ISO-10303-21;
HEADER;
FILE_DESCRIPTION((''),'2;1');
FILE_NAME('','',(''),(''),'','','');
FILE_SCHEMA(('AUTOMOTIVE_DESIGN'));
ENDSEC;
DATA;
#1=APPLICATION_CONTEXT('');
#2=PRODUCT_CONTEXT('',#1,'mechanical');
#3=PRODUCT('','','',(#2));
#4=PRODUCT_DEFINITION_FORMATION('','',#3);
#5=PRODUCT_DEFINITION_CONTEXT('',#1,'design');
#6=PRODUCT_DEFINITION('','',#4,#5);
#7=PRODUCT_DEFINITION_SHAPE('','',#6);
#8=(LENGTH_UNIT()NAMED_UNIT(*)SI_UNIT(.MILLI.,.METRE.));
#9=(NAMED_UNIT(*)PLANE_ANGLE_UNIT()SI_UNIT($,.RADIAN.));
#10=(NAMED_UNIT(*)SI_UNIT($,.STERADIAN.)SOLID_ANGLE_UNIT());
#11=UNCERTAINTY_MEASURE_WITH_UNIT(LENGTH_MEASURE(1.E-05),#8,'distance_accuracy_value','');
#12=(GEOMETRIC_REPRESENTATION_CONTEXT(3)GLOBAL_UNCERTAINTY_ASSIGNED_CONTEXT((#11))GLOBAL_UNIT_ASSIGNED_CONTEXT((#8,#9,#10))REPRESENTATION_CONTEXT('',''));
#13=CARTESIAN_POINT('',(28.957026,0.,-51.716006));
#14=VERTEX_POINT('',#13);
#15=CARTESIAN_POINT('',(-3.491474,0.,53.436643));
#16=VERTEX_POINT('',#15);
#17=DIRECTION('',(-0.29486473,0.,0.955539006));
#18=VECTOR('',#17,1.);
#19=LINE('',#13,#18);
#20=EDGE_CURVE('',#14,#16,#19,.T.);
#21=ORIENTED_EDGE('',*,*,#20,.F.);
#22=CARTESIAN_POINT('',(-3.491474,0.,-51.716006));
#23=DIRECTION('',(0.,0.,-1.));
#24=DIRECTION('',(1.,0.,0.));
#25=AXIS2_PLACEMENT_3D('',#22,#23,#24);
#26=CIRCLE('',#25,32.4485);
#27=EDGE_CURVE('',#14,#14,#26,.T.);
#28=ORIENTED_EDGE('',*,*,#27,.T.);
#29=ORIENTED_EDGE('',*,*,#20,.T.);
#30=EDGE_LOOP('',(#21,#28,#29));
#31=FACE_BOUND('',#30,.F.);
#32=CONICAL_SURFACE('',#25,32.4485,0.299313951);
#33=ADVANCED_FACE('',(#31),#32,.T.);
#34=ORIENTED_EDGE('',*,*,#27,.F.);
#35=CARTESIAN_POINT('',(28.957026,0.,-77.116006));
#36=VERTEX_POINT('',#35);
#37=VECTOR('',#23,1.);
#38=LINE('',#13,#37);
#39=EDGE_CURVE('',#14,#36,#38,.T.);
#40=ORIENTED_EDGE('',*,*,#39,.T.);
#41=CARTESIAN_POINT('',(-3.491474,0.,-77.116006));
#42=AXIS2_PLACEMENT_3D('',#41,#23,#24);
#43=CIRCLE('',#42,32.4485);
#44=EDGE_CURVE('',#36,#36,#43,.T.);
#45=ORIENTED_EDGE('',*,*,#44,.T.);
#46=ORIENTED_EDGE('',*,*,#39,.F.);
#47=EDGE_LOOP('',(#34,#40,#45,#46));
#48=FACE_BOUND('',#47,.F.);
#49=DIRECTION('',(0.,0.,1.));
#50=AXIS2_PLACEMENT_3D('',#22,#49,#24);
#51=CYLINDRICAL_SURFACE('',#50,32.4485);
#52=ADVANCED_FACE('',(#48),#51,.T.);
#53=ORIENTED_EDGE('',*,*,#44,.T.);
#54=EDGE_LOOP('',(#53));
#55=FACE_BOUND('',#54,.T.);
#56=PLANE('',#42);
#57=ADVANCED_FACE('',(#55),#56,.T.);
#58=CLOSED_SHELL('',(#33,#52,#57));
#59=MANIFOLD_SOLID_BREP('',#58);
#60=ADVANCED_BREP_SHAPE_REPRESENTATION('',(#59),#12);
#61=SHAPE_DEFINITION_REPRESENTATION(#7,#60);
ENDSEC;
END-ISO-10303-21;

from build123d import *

# Parameters (mm, degrees)
F1_FACE_R = 32.4485
F2_DEPTH  = 25.4


with BuildPart() as f1:
    # F0 (on Front) → F1 (revolve)
    with BuildSketch(Plane.XZ):
        Polygon((28.957026, -51.716006), (-3.491474, 53.436643), (-3.491474, -51.716006), align=None)
    revolve(axis=Axis((-3.491474, 0, 0.860319), (0, 0, -1)))

    # F1_face (on face) → F2 (join)
    with BuildSketch(Plane(origin=(-3.491474, 0, -51.716006), x_dir=(1, 0, 0), z_dir=(0, 0, -1))):
        Circle(F1_FACE_R)
    extrude(amount=F2_DEPTH)


solid = f1.part
